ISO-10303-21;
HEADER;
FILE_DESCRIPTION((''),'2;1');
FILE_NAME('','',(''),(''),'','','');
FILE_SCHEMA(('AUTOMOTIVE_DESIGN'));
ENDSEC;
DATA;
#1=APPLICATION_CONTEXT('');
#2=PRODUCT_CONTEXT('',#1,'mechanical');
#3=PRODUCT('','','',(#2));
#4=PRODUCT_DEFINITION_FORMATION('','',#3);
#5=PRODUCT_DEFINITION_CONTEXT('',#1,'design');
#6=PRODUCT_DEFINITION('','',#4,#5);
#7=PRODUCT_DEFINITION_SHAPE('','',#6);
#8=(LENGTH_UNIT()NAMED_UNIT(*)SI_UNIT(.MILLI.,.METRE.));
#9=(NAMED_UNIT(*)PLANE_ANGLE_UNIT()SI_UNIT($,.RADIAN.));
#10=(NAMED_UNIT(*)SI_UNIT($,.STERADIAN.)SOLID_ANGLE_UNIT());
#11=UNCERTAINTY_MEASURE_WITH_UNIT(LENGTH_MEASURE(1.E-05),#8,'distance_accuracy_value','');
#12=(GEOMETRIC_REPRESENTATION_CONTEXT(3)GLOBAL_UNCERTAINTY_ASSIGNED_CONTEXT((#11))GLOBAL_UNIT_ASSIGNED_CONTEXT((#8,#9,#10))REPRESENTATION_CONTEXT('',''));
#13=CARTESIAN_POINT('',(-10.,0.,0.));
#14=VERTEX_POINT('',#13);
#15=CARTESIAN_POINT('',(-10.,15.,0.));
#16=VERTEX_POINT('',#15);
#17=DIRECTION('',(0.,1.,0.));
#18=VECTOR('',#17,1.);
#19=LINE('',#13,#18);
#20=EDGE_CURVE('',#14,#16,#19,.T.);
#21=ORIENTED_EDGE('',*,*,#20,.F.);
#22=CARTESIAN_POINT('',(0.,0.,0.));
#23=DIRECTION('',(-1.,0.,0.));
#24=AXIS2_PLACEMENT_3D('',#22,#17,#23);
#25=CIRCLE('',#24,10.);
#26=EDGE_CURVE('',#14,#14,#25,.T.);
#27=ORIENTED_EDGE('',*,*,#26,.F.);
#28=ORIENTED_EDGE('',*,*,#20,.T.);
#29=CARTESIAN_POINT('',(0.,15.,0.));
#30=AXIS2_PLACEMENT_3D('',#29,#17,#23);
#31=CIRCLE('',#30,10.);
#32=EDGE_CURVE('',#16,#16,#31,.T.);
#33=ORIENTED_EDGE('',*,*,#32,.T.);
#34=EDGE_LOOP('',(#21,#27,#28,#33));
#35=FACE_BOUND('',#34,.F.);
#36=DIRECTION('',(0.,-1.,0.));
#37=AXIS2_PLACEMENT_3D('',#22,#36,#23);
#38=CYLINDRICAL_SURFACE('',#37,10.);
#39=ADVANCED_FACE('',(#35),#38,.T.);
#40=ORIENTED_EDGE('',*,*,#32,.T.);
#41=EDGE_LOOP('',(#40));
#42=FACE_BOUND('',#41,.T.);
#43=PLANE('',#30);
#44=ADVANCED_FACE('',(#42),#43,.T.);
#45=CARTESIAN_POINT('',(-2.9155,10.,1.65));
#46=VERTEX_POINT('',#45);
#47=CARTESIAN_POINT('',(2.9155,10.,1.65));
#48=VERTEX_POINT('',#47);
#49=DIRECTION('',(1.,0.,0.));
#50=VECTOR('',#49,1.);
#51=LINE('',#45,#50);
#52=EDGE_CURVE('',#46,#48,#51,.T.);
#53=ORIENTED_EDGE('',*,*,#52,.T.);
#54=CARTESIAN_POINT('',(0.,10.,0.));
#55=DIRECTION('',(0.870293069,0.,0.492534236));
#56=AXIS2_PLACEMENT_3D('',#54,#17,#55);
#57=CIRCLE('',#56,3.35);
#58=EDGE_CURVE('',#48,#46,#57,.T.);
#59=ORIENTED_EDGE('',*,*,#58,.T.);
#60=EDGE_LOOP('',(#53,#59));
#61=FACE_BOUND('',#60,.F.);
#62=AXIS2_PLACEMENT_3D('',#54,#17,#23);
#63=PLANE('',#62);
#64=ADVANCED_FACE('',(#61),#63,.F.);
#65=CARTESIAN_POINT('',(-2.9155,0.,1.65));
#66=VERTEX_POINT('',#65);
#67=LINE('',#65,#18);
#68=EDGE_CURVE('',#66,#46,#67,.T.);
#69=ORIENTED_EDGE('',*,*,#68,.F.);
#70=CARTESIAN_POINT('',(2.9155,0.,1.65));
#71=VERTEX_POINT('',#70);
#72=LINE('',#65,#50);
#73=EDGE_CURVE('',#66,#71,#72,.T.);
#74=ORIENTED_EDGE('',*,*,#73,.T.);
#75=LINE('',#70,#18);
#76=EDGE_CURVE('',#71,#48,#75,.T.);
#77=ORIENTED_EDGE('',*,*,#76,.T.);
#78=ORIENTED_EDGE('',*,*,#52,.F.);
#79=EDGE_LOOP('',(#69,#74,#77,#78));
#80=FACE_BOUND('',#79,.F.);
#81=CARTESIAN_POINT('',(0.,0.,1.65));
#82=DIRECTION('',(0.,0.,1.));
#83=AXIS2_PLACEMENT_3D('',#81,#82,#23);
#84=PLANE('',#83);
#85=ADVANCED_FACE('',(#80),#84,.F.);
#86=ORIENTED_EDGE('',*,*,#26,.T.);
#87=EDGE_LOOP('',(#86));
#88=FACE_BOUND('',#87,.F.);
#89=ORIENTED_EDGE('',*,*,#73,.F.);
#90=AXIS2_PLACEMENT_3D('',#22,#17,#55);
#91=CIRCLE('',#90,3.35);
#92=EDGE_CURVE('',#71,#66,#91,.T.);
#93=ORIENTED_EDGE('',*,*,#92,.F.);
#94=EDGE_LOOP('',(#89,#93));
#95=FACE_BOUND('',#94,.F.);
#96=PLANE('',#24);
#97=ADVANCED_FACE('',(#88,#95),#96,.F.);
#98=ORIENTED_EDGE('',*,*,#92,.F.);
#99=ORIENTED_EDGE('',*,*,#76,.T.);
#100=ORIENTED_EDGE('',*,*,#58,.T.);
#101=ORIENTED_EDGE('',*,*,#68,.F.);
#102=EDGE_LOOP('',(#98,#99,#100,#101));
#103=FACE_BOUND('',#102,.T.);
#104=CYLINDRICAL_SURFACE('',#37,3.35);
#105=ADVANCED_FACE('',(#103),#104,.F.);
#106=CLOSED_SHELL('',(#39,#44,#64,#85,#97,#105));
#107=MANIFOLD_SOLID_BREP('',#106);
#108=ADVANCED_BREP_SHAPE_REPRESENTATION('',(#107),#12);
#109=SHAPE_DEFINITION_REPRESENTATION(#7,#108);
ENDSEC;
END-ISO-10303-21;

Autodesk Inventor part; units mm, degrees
ref_plane "YZ Plane" through (0, 0, 0) normal (1, 0, 0) x (0, 1, 0)
ref_plane "XZ Plane" through (0, 0, 0) normal (0, 1, 0) x (-1, 0, 0)
ref_plane "XY Plane" through (0, 0, 0) normal (0, 0, 1) x (1, 0, 0)
sketch "Sketch1" plane through (0, 0, 0) normal (0, 1, 0) x (-1, 0, 0)
  circle A0 centre (0, 0) radius 3.35
  line L0 (0, -3.35) -> (0, 1.65)
  line L1 (0, 1.65) -> (2.9155, 1.65)
  line L2 (0, 1.65) -> (-2.9155, 1.65)
  dimension "d0" = 6.7
  dimension "d1" = 5
sketch "Sketch2" plane through (0, 0, 0) normal (0, 1, 0) x (-1, 0, 0)
  circle A0 centre (0, 0) radius 10
  dimension "d2" = 20
extrude "Extrusion1" add sketch "Sketch2" along normal blind 15
extrude "Extrusion2" cut sketch "Sketch1" along normal blind 10 contours A0 L0 L1 | A0 L2 L0
properties part number "Pot"
